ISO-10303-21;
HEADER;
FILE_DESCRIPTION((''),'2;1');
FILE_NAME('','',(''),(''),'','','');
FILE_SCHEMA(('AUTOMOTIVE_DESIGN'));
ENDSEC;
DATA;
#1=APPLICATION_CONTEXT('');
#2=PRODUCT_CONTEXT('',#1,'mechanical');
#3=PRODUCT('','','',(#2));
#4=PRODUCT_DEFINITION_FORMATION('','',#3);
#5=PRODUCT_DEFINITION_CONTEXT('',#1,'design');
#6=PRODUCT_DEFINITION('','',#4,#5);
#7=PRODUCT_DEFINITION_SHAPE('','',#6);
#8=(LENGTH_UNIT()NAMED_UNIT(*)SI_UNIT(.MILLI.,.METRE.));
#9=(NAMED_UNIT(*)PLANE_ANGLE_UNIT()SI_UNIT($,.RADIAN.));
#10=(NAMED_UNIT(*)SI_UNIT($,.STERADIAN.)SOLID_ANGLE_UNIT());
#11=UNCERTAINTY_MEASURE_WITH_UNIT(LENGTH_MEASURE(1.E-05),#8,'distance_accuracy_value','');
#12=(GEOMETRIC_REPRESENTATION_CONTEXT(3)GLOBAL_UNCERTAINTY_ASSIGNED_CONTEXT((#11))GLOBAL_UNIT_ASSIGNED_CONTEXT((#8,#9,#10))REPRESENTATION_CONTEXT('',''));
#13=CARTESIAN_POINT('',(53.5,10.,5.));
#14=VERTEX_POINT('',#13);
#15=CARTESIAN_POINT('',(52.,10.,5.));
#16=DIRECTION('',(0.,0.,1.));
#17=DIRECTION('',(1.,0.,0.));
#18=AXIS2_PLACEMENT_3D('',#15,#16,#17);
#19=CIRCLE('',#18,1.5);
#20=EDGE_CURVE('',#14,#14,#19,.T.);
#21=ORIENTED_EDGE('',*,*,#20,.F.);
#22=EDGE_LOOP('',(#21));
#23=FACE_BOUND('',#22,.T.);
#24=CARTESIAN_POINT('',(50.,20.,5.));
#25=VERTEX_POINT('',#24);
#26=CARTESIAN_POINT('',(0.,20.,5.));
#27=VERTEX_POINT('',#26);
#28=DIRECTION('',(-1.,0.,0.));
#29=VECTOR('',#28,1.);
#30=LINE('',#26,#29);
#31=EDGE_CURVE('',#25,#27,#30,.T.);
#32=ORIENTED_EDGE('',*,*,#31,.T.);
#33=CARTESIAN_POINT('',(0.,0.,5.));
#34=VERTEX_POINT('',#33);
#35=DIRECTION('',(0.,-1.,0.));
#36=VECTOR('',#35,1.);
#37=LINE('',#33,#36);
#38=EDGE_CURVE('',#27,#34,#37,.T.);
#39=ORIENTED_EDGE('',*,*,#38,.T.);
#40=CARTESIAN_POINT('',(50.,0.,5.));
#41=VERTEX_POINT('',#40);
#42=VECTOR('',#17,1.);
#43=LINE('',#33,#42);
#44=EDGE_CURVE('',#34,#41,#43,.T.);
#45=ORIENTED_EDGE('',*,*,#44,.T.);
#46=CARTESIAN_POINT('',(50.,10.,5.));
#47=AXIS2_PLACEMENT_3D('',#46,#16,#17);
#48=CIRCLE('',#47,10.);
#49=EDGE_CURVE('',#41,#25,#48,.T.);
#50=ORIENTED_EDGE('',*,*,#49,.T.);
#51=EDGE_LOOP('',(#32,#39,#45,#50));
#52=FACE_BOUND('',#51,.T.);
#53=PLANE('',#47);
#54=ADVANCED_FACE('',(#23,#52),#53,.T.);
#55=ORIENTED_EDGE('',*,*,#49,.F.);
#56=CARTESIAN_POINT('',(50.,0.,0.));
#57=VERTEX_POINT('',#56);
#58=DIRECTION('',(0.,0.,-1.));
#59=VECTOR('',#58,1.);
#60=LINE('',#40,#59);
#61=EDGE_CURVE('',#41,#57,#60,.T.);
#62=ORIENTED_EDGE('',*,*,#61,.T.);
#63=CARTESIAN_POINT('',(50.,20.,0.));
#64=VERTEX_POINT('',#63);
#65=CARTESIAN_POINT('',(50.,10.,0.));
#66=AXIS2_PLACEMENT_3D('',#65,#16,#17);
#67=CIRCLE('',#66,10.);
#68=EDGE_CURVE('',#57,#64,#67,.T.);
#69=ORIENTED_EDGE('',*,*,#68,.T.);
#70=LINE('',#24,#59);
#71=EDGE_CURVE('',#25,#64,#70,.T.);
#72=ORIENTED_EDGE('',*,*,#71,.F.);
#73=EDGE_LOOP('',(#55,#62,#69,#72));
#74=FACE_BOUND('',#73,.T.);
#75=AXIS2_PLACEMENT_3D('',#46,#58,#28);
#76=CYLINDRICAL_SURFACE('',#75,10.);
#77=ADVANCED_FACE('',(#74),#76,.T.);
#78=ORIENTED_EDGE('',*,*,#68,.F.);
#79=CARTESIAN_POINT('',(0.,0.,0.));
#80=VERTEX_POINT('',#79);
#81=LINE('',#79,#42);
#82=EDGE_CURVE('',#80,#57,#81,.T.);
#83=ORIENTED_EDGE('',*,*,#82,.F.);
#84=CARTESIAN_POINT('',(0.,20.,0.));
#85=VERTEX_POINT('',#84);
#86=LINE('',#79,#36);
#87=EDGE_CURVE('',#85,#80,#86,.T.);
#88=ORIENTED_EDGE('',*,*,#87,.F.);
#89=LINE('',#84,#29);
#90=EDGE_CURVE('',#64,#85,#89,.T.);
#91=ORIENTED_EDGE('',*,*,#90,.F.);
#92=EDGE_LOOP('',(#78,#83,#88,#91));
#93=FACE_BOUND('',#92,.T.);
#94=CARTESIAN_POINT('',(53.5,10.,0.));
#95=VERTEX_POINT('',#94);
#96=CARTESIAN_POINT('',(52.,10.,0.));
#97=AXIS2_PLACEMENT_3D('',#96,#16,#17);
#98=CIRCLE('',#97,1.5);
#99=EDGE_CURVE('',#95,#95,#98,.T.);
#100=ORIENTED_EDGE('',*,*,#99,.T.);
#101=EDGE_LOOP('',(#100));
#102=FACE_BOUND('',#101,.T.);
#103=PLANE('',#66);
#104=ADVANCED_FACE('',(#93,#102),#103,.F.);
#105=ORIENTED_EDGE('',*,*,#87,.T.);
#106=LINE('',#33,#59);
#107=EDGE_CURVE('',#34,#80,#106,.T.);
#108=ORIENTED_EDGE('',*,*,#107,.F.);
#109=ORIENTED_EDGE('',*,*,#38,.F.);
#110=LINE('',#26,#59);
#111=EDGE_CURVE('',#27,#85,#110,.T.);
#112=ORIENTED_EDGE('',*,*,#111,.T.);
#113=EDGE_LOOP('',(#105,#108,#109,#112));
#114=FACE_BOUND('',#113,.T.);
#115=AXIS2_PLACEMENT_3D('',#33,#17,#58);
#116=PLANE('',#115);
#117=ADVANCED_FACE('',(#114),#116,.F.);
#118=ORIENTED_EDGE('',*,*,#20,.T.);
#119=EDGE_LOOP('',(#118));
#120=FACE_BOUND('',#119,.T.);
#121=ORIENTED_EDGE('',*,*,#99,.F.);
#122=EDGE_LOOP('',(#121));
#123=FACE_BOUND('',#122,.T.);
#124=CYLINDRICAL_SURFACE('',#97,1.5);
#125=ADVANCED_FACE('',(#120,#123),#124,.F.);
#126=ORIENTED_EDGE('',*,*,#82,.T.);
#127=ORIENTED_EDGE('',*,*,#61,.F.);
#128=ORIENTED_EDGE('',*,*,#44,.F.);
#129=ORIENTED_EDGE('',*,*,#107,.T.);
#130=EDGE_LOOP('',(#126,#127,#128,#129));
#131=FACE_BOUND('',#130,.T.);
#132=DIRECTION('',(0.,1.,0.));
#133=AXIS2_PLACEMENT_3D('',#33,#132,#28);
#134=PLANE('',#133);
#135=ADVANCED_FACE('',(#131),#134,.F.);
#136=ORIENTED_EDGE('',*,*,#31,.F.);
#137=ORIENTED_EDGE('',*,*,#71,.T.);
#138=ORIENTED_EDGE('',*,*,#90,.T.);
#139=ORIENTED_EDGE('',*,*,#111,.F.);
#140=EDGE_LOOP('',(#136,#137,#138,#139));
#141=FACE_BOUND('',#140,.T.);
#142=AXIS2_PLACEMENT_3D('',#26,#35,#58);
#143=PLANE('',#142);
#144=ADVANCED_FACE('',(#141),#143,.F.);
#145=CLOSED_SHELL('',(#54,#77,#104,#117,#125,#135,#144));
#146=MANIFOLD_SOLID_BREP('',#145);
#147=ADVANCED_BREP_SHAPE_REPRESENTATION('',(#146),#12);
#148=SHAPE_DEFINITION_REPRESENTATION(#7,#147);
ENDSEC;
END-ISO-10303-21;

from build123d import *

# Parameters (mm, degrees)
BOSS_EXTRUDE1_DEPTH = 5
SKETCH2_R           = 1.5
CUT_EXTRUDE1_DEPTH  = 5


with BuildPart() as part:
    # Sketch1 → Boss-Extrude1 (new body)
    with BuildSketch(Plane.XY):
        with BuildLine():
            Line((0, 0), (50, 0))
            ThreePointArc((50, 0), (60, 10), (50, 20))
            Line((50, 20), (0, 20))
            Line((0, 20), (0, 0))
        make_face()
    extrude(amount=BOSS_EXTRUDE1_DEPTH)

    # Sketch2 → Cut-Extrude1 (cut)
    with BuildSketch(Plane.XY.offset(5)):
        with Locations((52, 10)):
            Circle(SKETCH2_R)
    extrude(amount=-CUT_EXTRUDE1_DEPTH, mode=Mode.SUBTRACT)


solid = part.part
